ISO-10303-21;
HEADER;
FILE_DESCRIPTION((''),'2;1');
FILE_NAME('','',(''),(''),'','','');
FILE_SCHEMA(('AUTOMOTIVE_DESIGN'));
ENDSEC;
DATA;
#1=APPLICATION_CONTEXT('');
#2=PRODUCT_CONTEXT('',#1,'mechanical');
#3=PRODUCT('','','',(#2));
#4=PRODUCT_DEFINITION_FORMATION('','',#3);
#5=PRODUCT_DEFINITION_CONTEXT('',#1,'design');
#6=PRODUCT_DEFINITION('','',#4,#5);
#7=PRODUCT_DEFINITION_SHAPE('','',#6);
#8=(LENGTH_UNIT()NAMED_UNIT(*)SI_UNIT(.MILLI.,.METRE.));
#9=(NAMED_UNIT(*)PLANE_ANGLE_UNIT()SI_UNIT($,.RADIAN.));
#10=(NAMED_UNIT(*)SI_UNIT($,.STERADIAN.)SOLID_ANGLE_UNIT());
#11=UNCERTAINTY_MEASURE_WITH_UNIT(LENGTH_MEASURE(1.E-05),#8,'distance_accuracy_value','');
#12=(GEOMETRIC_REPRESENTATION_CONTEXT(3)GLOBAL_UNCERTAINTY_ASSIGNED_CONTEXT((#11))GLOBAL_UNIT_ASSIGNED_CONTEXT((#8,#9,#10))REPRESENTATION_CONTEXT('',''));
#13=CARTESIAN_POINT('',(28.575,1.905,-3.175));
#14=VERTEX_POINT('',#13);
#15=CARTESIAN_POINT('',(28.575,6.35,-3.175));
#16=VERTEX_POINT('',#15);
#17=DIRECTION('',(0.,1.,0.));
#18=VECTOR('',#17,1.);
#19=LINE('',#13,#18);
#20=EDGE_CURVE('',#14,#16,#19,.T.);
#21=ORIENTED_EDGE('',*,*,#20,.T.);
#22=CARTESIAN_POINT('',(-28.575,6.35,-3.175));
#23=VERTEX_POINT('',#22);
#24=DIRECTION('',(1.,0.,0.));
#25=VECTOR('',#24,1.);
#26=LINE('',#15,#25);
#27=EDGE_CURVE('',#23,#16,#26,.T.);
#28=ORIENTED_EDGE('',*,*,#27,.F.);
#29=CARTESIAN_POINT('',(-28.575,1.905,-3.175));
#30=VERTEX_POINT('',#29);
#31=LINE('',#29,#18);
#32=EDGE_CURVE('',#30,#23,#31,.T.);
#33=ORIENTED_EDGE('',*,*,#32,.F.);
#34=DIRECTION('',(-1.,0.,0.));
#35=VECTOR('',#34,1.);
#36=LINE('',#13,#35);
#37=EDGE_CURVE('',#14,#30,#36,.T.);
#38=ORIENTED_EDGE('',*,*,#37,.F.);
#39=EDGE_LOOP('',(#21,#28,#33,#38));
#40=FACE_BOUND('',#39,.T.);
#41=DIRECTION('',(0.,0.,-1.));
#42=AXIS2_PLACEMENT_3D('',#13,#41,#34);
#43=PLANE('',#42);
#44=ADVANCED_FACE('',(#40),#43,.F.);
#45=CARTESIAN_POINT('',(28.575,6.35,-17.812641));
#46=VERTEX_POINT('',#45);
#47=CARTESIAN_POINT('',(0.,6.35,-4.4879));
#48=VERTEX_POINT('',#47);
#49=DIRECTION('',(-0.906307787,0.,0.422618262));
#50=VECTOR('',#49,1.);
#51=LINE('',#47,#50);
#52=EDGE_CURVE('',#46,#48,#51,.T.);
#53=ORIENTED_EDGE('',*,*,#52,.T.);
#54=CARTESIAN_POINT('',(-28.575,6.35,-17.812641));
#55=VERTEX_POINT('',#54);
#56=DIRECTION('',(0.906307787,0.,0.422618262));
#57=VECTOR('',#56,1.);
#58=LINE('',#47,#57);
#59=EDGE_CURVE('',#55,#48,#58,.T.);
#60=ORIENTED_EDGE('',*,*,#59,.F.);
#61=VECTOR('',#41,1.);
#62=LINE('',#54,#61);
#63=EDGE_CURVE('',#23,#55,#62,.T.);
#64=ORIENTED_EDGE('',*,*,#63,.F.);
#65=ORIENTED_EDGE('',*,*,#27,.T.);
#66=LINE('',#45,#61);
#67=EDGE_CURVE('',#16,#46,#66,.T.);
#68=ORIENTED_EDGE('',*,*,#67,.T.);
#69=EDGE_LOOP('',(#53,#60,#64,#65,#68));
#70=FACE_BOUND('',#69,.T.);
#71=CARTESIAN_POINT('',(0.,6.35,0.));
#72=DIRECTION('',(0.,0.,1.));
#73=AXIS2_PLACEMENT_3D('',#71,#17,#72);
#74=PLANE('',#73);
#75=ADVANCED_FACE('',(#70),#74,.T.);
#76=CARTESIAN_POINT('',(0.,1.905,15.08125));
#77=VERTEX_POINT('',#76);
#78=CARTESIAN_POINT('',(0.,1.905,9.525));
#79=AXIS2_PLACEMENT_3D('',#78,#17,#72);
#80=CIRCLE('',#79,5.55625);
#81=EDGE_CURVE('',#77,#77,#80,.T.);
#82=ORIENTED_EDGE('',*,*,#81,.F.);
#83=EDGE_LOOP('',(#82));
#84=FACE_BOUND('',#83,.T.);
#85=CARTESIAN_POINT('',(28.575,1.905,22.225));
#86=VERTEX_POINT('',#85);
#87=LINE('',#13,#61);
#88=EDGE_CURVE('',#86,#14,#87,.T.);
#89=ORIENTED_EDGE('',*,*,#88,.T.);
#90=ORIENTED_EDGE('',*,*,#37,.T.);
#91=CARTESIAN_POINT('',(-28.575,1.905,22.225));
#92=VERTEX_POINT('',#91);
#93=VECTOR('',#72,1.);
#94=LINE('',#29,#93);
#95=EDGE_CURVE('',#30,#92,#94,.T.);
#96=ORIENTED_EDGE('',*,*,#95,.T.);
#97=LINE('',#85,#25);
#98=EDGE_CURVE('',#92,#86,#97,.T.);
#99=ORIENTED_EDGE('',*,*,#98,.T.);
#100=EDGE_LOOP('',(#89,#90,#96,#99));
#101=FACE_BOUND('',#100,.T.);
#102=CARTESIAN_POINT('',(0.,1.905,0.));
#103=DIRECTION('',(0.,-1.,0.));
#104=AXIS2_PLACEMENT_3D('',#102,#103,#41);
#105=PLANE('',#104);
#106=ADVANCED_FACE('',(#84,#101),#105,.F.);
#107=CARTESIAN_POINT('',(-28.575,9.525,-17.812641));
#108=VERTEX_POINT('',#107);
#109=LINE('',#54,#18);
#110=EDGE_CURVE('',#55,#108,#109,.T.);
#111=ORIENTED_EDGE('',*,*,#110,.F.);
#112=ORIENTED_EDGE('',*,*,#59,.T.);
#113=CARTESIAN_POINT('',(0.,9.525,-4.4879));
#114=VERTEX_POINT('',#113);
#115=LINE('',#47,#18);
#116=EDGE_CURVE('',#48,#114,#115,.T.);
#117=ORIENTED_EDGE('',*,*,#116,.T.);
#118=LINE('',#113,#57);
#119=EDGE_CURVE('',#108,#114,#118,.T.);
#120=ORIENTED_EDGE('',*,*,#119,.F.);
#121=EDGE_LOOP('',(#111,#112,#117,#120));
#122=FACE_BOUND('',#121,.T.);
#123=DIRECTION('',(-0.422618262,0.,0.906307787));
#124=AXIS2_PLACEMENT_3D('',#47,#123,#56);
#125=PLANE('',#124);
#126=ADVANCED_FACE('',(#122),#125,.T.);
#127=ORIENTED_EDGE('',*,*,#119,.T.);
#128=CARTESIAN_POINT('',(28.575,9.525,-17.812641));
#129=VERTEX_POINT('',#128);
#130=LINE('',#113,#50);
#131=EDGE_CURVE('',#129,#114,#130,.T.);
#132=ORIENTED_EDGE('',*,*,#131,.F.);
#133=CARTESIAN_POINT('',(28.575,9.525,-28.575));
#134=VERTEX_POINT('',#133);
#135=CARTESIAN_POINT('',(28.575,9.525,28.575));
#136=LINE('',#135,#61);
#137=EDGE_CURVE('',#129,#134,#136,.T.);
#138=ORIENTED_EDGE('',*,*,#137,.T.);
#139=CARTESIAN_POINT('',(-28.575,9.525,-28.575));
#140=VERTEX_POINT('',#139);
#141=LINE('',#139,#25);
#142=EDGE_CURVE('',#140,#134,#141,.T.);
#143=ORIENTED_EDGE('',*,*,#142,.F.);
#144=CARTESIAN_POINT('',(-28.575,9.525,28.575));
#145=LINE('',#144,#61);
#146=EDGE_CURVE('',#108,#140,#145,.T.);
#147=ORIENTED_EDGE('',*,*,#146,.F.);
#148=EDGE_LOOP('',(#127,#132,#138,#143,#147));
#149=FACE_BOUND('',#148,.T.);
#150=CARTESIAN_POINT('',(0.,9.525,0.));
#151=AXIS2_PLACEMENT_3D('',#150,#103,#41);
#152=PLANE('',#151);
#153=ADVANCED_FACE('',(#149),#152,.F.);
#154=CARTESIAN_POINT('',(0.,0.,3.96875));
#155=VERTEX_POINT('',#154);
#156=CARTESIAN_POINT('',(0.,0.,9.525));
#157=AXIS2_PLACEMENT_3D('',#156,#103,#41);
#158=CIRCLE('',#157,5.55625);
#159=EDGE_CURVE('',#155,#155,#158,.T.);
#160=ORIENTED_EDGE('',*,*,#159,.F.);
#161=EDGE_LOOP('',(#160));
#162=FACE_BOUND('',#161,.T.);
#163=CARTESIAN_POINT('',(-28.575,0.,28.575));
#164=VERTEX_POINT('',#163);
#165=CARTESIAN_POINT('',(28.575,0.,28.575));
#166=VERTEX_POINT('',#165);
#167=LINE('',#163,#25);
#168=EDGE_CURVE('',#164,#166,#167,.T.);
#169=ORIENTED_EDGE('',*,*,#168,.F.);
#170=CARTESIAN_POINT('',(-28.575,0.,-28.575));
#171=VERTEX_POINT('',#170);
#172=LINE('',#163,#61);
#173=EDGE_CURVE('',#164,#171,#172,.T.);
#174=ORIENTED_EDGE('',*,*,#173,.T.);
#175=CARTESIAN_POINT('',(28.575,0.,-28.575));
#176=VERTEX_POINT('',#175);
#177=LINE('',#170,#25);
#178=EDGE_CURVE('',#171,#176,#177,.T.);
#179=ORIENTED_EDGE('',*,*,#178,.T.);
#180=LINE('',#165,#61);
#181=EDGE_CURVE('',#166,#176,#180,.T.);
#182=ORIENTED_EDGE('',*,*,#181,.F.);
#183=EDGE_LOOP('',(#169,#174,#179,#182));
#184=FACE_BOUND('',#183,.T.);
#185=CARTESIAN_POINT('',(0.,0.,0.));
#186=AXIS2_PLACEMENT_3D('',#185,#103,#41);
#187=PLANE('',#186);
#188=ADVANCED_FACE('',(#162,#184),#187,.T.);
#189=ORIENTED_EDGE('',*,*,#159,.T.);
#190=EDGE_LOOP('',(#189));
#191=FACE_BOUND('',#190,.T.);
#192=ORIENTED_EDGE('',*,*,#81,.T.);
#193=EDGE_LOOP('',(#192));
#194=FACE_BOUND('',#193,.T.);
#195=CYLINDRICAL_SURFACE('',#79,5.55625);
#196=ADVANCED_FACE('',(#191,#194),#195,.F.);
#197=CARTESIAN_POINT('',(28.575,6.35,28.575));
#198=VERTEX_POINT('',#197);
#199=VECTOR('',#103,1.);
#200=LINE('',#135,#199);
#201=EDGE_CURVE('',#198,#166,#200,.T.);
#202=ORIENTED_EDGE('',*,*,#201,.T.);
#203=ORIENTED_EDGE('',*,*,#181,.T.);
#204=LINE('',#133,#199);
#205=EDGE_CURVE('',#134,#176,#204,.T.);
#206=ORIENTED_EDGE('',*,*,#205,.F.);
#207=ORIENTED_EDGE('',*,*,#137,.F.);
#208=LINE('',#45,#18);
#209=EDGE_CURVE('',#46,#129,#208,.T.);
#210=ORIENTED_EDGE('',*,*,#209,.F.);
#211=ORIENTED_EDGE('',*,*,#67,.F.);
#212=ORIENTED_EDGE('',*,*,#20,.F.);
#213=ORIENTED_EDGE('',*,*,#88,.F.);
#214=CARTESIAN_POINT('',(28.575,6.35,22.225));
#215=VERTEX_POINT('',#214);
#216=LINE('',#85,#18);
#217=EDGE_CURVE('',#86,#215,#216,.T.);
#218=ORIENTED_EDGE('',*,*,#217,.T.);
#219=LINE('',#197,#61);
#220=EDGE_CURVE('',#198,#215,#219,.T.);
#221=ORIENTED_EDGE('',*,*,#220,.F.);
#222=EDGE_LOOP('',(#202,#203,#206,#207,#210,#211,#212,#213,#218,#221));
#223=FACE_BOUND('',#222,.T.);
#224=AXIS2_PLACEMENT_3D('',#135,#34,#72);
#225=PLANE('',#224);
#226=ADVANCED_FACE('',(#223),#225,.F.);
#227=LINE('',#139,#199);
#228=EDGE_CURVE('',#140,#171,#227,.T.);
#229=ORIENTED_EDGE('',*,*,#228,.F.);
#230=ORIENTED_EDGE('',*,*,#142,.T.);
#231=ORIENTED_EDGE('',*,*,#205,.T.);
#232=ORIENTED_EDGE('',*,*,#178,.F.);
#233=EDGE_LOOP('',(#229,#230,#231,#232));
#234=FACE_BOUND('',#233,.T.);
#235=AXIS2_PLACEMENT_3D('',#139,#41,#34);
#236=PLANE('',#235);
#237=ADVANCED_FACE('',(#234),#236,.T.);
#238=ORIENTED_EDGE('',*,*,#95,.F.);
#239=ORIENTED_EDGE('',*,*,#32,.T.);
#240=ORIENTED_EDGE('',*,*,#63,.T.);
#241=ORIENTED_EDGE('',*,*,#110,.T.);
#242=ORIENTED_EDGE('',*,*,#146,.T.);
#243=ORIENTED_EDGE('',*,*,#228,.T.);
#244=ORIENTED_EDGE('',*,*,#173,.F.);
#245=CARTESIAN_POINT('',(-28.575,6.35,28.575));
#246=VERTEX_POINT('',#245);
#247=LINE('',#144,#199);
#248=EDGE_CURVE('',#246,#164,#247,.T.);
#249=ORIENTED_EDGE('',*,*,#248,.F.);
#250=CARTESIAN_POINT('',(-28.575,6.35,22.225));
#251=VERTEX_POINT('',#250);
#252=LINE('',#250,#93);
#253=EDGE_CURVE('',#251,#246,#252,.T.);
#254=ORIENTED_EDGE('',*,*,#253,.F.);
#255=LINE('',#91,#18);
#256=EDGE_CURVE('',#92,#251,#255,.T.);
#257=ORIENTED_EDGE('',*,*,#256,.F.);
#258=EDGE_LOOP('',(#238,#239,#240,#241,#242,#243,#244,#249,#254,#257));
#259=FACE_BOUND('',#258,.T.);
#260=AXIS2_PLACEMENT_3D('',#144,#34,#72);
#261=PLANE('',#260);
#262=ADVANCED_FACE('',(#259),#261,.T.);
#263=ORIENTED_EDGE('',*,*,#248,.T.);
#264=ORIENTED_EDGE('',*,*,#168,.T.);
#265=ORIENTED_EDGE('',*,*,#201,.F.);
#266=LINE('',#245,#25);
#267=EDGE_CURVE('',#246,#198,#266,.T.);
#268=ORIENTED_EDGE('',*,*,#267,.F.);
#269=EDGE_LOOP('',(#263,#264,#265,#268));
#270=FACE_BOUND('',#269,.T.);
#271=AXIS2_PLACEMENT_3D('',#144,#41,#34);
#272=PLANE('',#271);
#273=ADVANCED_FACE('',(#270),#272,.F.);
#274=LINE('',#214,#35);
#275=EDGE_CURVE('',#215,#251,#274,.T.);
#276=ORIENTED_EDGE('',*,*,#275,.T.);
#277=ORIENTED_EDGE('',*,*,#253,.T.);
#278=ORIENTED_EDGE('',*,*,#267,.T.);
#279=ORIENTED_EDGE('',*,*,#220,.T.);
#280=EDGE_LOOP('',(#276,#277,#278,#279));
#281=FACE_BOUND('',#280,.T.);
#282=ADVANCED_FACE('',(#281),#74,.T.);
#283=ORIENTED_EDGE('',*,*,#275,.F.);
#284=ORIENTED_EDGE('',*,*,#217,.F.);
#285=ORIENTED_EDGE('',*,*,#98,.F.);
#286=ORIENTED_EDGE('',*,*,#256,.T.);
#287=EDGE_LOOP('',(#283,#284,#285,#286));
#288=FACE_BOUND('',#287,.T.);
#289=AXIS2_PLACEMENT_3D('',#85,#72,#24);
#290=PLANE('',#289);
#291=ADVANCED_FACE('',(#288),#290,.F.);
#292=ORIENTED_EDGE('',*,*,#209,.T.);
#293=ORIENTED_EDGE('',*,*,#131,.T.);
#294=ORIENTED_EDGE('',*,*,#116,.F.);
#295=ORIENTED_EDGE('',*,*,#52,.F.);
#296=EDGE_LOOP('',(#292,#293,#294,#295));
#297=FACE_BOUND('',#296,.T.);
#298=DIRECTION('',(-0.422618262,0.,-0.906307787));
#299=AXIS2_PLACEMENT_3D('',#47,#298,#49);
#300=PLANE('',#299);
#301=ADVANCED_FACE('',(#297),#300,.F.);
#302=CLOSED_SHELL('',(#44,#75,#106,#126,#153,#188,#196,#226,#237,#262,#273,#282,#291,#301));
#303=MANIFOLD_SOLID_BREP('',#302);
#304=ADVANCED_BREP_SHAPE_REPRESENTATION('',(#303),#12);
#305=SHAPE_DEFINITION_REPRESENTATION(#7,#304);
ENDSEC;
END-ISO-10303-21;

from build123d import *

# Parameters (mm, degrees)
SKETCH1_W                          = 57.15
SKETCH1_H                          = 57.15
BOSS_EXTRUDE1_DEPTH                = 9.525
SKETCH2_W                          = 57.15
SKETCH2_H                          = 25.4
CUT_EXTRUDE1_DEPTH                 = 7.62
F_7_16_0_4375_DIAMETER_HOLE1_D     = 11.1125
F_7_16_0_4375_DIAMETER_HOLE1_DEPTH = 25.4
F_7_16_0_4375_DIAMETER_HOLE1_TIP   = 3.338531814
CUT_EXTRUDE3_DEPTH                 = 3.175
SKETCH9_W                          = 57.15
SKETCH9_H                          = 6.35
CUT_EXTRUDE4_DEPTH                 = 3.175


with BuildPart() as part:
    # Sketch1 → Boss-Extrude1 (new body)
    with BuildSketch(Plane(origin=(0, 0, 0), x_dir=(1, 0, 0), z_dir=(0, 1, 0))):
        Rectangle(SKETCH1_W, SKETCH1_H)
    extrude(amount=BOSS_EXTRUDE1_DEPTH)

    # Sketch2 → Cut-Extrude1 (cut)
    with BuildSketch(Plane(origin=(0, 9.525, 0), x_dir=(1, 0, 0), z_dir=(0, 1, 0))):
        with Locations((0, -9.525)):
            Rectangle(SKETCH2_W, SKETCH2_H)
    extrude(amount=-CUT_EXTRUDE1_DEPTH, mode=Mode.SUBTRACT)

    # 7/16 (0.4375) Diameter Hole1
    with Locations(Plane(origin=(0, 1.905, 0), x_dir=(1, 0, 0), z_dir=(0, 1, 0))):
        with Locations((0, -9.525)):
            Hole(F_7_16_0_4375_DIAMETER_HOLE1_D / 2, depth=F_7_16_0_4375_DIAMETER_HOLE1_DEPTH)
            with Locations((0, 0, -(F_7_16_0_4375_DIAMETER_HOLE1_DEPTH + F_7_16_0_4375_DIAMETER_HOLE1_TIP / 2))):  # 118° drill point
                Cone(0, F_7_16_0_4375_DIAMETER_HOLE1_D / 2, F_7_16_0_4375_DIAMETER_HOLE1_TIP, mode=Mode.SUBTRACT)

    # Sketch8 → Cut-Extrude3 (cut)
    with BuildSketch(Plane(origin=(0, 9.525, 0), x_dir=(1, 0, 0), z_dir=(0, 1, 0))):
        Polygon((0, 4.487899571), (28.575, 17.812640903), (28.575, 3.175), (0, 3.175), align=None)
    cut_extrude3 = extrude(amount=-CUT_EXTRUDE3_DEPTH, mode=Mode.SUBTRACT)

    # Mirror2: Cut-Extrude3 across plane
    add(cut_extrude3.mirror(Plane(origin=(0, 0, 0), x_dir=(0, 0, 1), z_dir=(1, 0, 0))), mode=Mode.SUBTRACT)

    # Sketch9 → Cut-Extrude4 (cut)
    with BuildSketch(Plane(origin=(0, 9.525, 0), x_dir=(1, 0, 0), z_dir=(0, 1, 0))):
        with Locations((0, -25.4)):
            Rectangle(SKETCH9_W, SKETCH9_H)
    extrude(amount=-CUT_EXTRUDE4_DEPTH, mode=Mode.SUBTRACT)


solid = part.part
